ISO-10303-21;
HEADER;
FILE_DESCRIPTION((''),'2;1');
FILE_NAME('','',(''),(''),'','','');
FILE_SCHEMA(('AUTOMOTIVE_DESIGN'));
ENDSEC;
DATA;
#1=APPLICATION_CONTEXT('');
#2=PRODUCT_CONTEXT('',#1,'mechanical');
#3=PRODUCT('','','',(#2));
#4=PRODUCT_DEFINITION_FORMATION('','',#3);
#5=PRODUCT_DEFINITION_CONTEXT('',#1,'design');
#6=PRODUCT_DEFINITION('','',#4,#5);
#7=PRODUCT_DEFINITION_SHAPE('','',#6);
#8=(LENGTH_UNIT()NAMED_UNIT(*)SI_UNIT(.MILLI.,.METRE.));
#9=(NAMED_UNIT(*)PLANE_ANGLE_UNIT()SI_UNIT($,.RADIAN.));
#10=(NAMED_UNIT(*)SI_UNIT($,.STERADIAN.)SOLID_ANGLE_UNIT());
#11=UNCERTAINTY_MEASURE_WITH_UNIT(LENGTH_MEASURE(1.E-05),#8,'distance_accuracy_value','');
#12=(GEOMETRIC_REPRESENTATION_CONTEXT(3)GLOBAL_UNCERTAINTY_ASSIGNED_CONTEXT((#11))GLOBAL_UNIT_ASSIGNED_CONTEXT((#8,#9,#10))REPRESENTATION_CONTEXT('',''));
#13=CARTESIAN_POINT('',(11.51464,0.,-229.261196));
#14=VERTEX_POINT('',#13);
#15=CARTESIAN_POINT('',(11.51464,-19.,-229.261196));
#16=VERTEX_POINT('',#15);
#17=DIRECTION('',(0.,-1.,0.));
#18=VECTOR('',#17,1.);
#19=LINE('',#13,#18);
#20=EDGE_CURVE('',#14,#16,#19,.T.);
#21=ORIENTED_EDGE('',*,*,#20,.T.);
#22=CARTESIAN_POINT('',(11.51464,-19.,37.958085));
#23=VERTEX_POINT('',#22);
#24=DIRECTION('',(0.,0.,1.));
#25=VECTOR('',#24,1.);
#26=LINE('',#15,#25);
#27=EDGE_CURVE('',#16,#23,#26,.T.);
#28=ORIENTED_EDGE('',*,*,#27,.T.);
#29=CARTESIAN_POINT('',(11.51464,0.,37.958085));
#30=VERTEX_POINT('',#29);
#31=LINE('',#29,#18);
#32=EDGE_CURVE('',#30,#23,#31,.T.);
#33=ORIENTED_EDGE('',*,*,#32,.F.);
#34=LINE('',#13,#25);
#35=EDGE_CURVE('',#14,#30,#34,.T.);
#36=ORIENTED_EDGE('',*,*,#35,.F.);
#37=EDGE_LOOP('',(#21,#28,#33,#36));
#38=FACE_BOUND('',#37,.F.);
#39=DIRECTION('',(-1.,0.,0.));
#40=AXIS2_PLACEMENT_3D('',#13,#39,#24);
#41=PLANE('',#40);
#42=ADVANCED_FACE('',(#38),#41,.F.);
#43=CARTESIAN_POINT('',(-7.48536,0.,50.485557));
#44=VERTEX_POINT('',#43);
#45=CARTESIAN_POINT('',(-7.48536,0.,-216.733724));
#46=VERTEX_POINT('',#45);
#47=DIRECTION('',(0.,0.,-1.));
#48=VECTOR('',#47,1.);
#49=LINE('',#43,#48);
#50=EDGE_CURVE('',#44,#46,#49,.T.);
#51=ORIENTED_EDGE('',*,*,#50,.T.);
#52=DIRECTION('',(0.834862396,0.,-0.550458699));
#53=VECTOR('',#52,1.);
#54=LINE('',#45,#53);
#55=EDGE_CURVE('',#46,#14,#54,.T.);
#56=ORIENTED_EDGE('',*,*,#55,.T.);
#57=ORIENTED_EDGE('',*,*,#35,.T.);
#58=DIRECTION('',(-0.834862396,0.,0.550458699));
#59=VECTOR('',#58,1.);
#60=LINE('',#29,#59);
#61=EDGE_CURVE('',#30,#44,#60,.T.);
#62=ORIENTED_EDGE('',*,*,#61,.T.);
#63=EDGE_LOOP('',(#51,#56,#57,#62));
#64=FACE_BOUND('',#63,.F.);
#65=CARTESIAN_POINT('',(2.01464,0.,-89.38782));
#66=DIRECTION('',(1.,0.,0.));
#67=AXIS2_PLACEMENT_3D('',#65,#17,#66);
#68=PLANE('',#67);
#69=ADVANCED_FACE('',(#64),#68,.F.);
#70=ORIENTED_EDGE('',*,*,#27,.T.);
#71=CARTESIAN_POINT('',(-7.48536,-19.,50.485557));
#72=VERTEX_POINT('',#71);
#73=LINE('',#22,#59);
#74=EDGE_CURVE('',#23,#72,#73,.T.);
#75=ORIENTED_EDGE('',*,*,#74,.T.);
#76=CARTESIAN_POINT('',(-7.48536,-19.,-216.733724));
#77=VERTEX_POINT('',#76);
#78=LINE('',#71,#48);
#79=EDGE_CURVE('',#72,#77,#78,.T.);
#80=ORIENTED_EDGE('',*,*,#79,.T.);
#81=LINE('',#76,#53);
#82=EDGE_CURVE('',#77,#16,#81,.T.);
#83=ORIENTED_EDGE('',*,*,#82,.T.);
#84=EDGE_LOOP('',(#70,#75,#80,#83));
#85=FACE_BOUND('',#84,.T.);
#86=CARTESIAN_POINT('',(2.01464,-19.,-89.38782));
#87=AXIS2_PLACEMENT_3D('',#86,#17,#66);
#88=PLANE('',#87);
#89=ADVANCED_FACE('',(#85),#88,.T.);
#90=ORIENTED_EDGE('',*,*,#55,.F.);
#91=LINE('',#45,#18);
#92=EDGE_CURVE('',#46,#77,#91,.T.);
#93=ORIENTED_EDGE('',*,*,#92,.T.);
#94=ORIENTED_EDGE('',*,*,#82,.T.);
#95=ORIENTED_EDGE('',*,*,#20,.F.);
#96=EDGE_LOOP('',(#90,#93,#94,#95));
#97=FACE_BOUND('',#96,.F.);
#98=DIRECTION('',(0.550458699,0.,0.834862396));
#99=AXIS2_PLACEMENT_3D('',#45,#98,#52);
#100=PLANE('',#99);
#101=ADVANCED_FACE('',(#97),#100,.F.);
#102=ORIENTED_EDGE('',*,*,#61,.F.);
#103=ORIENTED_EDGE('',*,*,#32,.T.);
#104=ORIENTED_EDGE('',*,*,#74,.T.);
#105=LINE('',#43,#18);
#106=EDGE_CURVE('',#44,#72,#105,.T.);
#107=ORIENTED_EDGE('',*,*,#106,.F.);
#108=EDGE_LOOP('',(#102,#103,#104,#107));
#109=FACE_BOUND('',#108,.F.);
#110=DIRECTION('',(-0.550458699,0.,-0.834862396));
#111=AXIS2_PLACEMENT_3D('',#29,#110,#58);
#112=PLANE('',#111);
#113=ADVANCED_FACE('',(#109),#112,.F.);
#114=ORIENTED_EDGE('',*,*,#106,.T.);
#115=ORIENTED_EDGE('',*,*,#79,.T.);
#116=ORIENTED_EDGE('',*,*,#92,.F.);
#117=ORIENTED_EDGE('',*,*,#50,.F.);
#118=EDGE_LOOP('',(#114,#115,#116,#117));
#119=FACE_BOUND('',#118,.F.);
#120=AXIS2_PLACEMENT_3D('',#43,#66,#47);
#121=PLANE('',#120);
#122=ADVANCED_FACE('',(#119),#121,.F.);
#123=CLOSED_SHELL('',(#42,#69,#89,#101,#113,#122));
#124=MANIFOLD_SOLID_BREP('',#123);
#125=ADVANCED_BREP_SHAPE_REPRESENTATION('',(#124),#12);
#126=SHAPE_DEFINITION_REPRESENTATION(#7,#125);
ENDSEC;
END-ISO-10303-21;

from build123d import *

# Parameters (mm, degrees)
F1_DEPTH = 19


with BuildPart() as f1:
    # F0 (on Front) → F1 (new body)
    with BuildSketch(Plane.XZ):
        Polygon((11.51464, 37.958085), (-7.48536, 50.485557), (-7.48536, -216.733724), (11.51464, -229.261196), align=None)
    extrude(amount=F1_DEPTH)


with BuildPart() as f2_1:
    # F2: copy of F1
    add(f1.part)


solid = f1.part
